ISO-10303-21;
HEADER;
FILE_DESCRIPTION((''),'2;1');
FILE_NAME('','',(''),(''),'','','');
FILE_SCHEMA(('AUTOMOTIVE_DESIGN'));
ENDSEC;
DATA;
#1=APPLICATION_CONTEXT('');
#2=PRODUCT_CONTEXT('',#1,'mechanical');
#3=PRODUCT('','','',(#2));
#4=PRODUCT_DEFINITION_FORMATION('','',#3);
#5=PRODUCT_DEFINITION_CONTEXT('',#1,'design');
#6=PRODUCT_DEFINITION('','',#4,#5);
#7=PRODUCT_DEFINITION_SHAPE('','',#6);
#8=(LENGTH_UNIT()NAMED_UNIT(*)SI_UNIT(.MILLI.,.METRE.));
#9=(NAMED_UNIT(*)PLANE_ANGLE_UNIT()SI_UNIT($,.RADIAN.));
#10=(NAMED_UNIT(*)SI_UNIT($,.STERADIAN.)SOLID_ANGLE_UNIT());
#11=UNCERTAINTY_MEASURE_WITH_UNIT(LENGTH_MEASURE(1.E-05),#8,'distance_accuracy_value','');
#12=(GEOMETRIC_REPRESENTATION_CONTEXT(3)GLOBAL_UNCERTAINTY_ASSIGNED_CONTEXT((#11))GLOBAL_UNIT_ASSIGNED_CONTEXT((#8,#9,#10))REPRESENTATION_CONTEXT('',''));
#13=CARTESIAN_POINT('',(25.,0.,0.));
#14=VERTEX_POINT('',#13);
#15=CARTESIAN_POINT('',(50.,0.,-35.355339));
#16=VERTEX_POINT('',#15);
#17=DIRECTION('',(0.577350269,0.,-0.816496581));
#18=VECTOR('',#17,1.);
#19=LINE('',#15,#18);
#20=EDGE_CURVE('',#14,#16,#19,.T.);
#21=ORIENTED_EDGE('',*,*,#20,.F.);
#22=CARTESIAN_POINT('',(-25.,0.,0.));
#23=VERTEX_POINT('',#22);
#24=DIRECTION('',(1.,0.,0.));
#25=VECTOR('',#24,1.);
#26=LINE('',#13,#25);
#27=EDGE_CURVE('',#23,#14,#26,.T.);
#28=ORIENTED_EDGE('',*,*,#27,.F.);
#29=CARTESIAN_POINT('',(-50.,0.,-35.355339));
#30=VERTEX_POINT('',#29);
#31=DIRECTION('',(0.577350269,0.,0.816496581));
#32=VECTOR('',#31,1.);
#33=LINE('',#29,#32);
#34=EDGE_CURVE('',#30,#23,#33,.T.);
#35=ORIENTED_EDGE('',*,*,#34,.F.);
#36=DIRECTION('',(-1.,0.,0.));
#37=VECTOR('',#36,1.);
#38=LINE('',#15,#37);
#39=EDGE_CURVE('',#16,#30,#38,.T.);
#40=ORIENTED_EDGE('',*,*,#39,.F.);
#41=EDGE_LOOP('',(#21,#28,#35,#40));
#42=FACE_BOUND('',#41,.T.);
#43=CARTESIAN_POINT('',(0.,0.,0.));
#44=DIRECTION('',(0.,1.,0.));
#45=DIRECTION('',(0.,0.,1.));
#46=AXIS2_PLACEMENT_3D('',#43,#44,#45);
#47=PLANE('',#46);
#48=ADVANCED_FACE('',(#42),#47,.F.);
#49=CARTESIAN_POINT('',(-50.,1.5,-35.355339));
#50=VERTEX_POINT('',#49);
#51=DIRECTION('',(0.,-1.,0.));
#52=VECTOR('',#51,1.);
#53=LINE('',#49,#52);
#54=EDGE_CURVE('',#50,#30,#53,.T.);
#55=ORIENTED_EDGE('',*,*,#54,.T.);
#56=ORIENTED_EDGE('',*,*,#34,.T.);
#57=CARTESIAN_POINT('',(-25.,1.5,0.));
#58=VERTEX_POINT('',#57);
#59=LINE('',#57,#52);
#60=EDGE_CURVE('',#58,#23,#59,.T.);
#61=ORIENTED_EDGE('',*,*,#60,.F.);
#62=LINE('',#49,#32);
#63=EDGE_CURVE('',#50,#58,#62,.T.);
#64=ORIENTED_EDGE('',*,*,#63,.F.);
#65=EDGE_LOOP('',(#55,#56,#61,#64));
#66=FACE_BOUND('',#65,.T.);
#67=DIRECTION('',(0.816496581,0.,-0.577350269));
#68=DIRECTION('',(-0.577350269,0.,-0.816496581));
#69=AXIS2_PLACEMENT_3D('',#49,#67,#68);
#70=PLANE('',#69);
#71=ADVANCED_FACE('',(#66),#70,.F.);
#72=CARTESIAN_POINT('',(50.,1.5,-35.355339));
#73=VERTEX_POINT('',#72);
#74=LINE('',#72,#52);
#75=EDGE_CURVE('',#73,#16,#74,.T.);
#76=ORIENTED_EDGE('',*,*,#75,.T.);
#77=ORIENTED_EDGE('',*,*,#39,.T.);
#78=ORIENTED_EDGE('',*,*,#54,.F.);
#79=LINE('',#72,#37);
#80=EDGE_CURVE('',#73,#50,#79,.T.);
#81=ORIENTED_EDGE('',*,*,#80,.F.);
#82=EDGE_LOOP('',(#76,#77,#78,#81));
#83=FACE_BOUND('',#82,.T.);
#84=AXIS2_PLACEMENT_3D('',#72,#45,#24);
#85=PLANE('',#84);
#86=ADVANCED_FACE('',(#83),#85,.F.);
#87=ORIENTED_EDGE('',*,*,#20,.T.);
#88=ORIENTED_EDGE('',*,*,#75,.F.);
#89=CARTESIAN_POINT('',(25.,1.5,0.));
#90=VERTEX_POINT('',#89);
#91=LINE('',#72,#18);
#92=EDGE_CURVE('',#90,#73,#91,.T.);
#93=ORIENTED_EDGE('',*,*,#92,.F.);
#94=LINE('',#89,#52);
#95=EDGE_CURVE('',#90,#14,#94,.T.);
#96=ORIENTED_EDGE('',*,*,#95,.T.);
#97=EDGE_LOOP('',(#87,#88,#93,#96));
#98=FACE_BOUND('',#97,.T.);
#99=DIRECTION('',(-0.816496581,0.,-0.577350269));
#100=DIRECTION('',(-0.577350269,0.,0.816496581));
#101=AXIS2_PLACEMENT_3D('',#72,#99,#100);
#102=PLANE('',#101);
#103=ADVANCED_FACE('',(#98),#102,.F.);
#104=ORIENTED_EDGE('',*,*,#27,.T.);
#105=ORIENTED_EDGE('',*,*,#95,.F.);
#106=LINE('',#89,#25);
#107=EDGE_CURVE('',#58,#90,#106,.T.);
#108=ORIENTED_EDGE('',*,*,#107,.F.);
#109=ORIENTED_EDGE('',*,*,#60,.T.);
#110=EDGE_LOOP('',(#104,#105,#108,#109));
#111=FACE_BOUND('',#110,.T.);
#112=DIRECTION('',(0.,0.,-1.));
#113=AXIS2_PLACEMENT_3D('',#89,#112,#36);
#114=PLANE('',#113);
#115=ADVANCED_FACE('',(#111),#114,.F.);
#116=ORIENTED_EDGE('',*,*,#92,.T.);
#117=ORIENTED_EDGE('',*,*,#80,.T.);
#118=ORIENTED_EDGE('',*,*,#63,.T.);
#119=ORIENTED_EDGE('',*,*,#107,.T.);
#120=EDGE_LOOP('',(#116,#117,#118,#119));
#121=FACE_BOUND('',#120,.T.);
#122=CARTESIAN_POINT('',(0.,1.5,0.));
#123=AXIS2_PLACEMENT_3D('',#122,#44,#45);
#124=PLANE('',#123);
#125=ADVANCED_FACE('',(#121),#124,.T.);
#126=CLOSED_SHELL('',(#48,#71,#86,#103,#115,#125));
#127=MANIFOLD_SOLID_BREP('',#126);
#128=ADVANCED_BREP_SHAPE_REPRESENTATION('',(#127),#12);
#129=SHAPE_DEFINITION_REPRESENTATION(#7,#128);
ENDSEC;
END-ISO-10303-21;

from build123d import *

# Parameters (mm, degrees)
BOSS_EXTRUDE1_DEPTH = 1.5


with BuildPart() as part:
    # Sketch1 → Boss-Extrude1 (new body)
    with BuildSketch(Plane(origin=(0, 0, 0), x_dir=(1, 0, 0), z_dir=(0, 1, 0))):
        Polygon((-50, 35.355339059), (-25, 0), (25, 0), (50, 35.355339059), align=None)
    extrude(amount=BOSS_EXTRUDE1_DEPTH)


solid = part.part
